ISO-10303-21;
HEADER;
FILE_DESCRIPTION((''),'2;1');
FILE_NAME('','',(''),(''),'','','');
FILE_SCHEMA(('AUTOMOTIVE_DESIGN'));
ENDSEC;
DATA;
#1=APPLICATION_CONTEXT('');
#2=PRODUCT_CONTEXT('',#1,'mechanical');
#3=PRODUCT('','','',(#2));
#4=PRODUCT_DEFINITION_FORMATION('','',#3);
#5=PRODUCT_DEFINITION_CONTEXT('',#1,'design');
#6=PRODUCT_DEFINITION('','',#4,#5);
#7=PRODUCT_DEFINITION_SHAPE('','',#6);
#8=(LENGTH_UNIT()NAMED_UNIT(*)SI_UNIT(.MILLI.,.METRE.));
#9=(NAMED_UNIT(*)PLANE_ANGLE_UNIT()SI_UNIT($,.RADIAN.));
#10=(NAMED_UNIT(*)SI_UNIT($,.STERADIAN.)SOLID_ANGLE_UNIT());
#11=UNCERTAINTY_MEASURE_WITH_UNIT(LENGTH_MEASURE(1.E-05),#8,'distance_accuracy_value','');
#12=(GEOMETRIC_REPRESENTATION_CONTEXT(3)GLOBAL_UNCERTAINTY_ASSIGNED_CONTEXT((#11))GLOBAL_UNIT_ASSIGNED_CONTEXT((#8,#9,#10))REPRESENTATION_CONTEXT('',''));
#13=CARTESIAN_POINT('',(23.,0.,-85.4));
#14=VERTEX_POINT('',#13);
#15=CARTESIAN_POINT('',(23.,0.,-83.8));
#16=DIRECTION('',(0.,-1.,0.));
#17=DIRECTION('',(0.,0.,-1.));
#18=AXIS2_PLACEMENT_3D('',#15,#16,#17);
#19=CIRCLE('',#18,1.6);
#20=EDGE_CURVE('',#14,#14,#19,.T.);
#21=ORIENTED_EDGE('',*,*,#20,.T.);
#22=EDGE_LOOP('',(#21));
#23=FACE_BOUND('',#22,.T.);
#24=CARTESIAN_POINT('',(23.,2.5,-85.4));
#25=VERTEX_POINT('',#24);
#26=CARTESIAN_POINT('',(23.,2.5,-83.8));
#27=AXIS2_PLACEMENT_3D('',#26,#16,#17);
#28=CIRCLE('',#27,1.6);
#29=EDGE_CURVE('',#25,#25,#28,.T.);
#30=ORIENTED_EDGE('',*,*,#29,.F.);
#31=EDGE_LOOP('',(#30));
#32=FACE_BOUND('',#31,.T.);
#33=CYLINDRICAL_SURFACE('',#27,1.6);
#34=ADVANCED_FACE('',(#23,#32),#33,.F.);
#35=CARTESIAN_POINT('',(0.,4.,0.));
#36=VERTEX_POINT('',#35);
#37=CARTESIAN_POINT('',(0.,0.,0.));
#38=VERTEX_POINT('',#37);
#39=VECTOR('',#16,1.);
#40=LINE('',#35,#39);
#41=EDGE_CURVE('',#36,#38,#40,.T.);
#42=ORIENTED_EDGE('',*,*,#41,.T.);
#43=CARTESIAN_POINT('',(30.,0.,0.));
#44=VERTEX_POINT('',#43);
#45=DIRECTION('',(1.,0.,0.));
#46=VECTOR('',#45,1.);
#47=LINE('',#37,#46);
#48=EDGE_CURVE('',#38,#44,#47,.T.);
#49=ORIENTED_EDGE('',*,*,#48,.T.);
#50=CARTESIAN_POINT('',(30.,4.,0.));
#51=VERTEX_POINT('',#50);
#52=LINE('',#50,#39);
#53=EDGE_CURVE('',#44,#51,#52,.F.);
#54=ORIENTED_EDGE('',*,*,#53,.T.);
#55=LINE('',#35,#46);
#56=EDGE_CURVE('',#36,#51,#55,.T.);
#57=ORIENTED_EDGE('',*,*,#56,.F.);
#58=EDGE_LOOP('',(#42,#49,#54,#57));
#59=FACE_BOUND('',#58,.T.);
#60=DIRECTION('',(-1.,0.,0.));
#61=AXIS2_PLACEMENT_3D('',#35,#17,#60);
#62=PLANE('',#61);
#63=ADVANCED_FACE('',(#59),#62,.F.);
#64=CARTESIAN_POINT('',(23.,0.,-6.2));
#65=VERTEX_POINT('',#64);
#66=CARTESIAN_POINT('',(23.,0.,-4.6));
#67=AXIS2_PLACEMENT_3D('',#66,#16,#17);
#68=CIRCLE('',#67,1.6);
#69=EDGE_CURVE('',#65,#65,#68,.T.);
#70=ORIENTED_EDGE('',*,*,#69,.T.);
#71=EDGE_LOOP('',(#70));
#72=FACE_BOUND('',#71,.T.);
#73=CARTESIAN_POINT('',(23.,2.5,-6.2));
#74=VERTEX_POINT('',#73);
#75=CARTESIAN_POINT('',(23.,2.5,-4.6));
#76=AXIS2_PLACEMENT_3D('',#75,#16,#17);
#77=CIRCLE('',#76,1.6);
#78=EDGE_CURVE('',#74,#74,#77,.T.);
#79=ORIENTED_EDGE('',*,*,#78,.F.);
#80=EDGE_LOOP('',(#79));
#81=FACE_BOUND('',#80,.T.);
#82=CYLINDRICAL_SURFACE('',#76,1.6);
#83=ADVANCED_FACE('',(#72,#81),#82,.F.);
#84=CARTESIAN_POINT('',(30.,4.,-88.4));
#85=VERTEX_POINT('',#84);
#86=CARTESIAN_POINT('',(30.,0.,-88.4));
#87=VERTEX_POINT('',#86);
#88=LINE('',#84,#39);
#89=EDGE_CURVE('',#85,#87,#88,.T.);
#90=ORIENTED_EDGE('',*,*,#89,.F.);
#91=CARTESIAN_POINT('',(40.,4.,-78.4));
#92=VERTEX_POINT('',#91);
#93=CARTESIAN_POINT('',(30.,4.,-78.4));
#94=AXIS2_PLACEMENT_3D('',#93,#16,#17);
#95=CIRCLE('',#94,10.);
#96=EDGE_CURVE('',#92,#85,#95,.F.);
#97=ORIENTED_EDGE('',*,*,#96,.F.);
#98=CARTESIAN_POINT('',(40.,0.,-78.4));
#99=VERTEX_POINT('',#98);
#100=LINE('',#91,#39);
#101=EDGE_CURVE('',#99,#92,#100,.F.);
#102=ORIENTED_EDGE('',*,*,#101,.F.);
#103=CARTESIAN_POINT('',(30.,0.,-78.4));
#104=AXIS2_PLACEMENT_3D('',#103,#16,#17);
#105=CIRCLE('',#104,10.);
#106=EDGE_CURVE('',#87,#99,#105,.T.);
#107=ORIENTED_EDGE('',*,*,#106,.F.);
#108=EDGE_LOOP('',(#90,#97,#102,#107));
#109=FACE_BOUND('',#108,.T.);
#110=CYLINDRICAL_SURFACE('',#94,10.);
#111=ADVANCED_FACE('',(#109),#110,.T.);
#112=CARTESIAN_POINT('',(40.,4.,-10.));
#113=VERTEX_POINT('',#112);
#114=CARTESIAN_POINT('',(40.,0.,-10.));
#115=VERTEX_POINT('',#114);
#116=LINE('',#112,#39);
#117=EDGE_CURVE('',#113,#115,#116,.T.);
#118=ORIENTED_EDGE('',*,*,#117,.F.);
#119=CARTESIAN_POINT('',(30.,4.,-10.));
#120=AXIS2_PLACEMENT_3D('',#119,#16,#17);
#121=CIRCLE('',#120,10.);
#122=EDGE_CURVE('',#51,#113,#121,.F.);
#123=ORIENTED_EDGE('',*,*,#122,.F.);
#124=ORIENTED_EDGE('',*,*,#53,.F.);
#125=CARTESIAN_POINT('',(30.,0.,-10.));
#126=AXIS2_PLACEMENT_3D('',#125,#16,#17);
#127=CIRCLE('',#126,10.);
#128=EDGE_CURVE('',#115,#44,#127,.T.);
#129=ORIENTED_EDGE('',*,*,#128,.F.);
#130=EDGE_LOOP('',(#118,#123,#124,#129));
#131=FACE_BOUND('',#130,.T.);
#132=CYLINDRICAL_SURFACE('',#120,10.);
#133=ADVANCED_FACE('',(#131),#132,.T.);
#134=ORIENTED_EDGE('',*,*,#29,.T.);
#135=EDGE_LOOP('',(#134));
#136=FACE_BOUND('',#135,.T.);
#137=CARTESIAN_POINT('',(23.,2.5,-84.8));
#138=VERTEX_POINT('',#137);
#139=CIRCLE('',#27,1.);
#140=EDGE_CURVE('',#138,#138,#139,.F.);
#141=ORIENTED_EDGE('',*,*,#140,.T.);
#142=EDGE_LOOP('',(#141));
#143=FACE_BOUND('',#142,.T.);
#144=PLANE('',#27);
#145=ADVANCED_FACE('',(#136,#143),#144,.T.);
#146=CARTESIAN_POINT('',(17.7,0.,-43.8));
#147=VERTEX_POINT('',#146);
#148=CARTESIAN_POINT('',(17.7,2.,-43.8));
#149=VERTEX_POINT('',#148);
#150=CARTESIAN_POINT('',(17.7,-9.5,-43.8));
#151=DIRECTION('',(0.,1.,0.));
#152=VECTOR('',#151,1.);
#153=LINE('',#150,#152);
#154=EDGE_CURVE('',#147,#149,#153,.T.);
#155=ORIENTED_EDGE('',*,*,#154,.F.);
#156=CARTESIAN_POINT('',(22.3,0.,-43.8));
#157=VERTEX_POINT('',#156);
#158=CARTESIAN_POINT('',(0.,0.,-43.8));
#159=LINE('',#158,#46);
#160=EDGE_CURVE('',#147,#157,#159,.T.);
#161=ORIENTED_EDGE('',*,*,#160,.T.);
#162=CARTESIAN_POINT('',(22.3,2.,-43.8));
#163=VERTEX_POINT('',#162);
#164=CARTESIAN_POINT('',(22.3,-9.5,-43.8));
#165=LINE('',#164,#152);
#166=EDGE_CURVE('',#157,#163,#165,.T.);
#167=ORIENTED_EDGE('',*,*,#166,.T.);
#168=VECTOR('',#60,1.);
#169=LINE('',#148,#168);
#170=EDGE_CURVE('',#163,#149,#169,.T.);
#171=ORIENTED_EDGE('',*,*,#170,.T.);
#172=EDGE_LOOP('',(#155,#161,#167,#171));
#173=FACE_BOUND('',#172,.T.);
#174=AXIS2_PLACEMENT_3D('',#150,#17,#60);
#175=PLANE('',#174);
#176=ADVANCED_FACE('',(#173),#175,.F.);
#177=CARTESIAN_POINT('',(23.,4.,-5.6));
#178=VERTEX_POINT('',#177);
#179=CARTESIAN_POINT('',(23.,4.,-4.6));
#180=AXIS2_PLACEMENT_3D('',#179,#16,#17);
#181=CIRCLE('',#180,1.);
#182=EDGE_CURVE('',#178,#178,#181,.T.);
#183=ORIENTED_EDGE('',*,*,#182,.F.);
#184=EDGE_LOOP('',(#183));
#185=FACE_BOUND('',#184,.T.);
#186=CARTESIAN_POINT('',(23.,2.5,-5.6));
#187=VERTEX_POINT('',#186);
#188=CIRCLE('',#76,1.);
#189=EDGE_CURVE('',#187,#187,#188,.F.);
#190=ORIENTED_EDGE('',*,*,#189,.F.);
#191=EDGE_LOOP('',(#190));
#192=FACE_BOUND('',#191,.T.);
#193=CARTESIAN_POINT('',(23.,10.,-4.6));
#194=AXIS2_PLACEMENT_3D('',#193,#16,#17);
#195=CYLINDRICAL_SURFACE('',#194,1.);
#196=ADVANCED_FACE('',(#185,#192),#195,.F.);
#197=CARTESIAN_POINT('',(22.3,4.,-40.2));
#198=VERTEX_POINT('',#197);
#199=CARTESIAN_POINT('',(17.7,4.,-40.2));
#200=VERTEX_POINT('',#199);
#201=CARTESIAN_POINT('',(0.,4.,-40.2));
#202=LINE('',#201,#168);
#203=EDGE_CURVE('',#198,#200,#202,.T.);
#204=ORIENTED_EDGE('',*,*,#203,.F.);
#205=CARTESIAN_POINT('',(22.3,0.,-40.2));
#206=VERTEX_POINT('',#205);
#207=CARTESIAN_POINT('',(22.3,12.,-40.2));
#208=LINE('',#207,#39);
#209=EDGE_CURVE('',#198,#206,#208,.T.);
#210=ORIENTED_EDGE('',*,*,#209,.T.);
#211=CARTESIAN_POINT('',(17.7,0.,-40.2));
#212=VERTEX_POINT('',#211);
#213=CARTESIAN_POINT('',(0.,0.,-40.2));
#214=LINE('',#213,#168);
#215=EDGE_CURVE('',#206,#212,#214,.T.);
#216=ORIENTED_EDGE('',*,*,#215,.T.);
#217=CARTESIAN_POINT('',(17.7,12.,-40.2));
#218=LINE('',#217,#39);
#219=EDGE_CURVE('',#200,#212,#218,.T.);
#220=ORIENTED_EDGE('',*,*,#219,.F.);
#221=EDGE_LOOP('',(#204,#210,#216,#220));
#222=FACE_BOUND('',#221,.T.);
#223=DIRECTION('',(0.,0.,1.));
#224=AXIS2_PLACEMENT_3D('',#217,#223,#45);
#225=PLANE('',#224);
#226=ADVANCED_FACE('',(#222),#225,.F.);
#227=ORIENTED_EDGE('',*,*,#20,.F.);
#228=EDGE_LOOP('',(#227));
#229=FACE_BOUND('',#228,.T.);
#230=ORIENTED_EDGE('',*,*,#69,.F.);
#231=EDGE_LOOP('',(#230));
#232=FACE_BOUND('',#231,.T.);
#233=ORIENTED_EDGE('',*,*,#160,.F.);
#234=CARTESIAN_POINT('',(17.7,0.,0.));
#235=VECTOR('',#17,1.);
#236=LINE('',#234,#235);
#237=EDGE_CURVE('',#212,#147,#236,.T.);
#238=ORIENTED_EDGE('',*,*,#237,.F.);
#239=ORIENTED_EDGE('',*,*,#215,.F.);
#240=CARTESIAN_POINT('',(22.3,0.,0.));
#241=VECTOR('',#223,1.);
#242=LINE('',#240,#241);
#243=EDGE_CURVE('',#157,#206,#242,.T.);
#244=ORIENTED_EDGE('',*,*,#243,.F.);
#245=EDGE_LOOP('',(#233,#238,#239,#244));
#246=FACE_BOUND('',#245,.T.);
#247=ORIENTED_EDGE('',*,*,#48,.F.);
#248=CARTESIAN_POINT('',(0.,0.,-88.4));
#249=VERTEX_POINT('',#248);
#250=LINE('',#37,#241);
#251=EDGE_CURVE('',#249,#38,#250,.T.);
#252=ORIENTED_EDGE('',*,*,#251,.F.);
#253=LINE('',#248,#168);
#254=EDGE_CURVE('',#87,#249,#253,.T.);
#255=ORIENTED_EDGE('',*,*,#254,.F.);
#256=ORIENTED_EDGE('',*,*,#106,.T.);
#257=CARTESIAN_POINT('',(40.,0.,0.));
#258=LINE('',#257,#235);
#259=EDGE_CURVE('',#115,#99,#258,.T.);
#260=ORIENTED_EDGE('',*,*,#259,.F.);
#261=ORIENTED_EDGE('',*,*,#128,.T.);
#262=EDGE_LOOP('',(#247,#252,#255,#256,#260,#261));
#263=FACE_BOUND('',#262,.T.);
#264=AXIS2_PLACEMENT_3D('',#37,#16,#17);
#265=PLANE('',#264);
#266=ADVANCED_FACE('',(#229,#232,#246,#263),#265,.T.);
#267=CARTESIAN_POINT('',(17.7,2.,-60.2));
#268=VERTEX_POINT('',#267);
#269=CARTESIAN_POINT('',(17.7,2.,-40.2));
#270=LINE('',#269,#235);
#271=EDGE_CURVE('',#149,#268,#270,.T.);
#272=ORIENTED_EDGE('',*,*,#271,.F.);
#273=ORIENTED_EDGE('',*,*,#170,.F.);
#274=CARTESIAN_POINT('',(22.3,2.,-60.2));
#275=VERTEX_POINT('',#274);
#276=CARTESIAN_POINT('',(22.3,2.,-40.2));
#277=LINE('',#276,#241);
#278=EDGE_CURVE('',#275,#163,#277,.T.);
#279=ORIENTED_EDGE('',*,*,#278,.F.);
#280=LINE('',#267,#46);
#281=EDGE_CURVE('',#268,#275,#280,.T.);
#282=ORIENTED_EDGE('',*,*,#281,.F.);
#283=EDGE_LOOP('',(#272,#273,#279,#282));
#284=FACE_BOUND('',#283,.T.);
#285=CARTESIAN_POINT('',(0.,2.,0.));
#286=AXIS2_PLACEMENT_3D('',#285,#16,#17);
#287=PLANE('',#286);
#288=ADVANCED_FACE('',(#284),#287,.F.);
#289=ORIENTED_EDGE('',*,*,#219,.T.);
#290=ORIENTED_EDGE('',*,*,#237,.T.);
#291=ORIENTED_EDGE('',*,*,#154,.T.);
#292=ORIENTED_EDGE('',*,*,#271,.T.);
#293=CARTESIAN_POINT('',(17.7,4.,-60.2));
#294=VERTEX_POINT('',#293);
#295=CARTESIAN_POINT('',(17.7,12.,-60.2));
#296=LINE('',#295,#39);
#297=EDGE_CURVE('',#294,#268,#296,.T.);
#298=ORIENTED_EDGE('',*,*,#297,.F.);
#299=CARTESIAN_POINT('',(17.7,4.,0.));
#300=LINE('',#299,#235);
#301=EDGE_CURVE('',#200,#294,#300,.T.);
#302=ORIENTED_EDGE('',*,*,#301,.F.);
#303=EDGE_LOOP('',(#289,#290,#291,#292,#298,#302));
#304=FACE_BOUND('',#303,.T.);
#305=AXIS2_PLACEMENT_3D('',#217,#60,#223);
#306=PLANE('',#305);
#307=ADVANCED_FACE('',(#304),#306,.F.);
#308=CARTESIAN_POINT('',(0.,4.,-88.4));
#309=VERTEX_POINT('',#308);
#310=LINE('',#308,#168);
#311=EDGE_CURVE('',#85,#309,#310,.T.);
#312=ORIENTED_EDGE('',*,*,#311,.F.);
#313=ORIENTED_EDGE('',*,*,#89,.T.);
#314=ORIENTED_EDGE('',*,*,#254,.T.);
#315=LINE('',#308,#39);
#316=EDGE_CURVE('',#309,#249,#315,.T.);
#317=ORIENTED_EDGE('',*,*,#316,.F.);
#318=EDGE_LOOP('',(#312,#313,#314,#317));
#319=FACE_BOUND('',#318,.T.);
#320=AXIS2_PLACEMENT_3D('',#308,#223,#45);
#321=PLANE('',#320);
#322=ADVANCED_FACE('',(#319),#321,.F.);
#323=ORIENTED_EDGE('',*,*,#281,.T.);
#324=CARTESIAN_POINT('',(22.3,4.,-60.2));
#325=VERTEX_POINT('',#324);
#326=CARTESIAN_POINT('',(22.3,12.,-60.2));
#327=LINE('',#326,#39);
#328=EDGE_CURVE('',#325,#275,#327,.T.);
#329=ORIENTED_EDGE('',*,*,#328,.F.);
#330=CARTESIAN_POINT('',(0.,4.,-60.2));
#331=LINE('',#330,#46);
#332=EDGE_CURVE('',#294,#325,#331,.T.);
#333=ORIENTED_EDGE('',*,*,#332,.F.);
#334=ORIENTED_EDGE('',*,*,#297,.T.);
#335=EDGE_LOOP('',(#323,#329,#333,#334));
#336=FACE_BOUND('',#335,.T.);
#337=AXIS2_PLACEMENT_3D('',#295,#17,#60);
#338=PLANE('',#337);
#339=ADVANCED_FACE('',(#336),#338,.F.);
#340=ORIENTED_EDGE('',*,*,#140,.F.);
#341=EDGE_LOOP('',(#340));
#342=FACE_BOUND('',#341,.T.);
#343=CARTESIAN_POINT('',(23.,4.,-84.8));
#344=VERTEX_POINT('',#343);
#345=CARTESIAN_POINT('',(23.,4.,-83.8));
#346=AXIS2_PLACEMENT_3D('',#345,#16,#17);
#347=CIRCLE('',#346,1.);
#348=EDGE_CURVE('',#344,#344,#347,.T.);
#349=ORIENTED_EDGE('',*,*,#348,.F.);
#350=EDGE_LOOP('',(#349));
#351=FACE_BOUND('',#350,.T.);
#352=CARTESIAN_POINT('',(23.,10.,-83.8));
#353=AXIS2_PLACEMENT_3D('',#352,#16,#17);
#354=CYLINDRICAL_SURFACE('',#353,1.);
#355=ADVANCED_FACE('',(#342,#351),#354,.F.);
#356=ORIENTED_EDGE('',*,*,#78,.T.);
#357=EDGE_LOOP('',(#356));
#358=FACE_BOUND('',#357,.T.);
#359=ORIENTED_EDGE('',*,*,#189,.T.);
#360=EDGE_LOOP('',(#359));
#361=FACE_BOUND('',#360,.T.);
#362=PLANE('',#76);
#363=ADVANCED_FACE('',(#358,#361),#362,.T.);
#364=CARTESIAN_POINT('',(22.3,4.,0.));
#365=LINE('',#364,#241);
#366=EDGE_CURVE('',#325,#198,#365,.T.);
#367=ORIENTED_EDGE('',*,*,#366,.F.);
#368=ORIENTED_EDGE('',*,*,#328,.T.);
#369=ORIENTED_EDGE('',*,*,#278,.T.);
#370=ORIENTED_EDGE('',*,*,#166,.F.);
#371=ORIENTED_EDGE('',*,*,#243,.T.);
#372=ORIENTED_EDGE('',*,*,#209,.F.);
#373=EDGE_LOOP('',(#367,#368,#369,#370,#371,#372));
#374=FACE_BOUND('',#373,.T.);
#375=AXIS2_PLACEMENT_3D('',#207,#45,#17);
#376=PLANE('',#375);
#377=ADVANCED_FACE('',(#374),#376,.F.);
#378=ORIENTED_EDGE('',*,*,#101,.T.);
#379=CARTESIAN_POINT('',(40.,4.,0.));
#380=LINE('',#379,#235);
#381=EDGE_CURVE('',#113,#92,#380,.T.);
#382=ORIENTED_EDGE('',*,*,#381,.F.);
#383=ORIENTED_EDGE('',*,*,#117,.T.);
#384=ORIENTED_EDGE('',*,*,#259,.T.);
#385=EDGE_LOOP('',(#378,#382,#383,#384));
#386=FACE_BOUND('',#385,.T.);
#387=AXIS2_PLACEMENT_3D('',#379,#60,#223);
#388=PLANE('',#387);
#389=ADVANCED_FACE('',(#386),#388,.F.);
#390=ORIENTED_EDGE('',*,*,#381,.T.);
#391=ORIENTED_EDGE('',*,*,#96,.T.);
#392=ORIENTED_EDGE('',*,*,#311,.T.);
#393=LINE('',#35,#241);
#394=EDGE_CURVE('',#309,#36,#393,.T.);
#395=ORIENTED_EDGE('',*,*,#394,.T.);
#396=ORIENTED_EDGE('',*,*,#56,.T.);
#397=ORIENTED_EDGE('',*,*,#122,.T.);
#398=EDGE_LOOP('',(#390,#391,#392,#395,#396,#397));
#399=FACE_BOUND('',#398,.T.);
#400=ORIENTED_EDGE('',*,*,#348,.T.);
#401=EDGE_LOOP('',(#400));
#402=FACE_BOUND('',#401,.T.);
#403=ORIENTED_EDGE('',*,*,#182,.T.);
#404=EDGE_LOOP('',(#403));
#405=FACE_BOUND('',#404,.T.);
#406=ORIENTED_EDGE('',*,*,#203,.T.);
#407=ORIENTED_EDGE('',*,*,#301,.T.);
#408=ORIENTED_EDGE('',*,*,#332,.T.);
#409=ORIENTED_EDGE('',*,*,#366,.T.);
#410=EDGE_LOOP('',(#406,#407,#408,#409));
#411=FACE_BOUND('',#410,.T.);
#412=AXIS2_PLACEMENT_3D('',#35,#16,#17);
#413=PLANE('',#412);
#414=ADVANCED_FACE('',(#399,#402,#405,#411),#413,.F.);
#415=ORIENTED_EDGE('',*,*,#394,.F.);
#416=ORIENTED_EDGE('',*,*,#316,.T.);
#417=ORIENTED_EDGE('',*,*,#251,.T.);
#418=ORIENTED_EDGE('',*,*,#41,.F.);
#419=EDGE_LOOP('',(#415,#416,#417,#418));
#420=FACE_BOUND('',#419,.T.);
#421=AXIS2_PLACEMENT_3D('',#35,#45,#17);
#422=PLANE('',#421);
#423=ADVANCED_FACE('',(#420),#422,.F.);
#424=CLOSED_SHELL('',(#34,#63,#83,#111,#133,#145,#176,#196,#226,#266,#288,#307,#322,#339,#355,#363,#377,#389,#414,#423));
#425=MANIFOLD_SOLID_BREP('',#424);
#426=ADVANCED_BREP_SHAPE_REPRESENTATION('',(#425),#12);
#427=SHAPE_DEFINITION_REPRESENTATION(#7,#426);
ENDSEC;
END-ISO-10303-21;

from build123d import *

# Parameters (mm, degrees)
SKETCH1_W           = 40
SKETCH1_H           = 88.4
BOSS_EXTRUDE1_DEPTH = 4
FILLET1_R           = 10
SKETCH3_R           = 1
CUT_EXTRUDE1_DEPTH  = 10
SKETCH5_R           = 1.6
CUT_EXTRUDE2_DEPTH  = 2.5
CUT_EXTRUDE3_START  = -2
SKETCH6_W           = 4.6
SKETCH6_H           = 20
CUT_EXTRUDE3_DEPTH  = 10
SKETCH8_W           = 4.6
SKETCH8_H           = 3.6
CUT_EXTRUDE7_DEPTH  = 11.5


with BuildPart() as part:
    # Sketch1 → Boss-Extrude1 (new body)
    with BuildSketch(Plane(origin=(0, 0, 0), x_dir=(1, 0, 0), z_dir=(0, 1, 0))):
        with Locations((20, 44.2)):
            Rectangle(SKETCH1_W, SKETCH1_H)
    extrude(amount=BOSS_EXTRUDE1_DEPTH)

    # Fillet1
    fillet1_edges = [part.edges().sort_by_distance(p)[0] for p in [
        (40, 2, -88.4),
        (40, 2, 0),
    ]]
    fillet(fillet1_edges, radius=FILLET1_R)

    # Sketch3 → Cut-Extrude1 (cut)
    with BuildSketch(Plane.XZ):
        with Locations(Location((23, -4.6, 0), (0, 0, 270))):
            Circle(SKETCH3_R)
        with Locations(Location((23, -83.8, 0), (0, 0, 270))):
            Circle(SKETCH3_R)
    extrude(amount=-CUT_EXTRUDE1_DEPTH, mode=Mode.SUBTRACT)

    # Sketch5 → Cut-Extrude2 (cut)
    with BuildSketch(Plane.XZ):
        with Locations(Location((23, -4.6, 0), (0, 0, 270))):
            Circle(SKETCH5_R)
        with Locations(Location((23, -83.8, 0), (0, 0, 270))):
            Circle(SKETCH5_R)
    extrude(amount=-CUT_EXTRUDE2_DEPTH, mode=Mode.SUBTRACT)

    # Sketch6 → Cut-Extrude3 (cut)
    with BuildSketch(Plane.XZ.offset(CUT_EXTRUDE3_START)):
        with Locations((20, -50.2)):
            Rectangle(SKETCH6_W, SKETCH6_H)
    extrude(amount=-CUT_EXTRUDE3_DEPTH, mode=Mode.SUBTRACT)

    # Sketch8 → Cut-Extrude7 (cut)
    with BuildSketch(Plane(origin=(0, 2, 0), x_dir=(1, 0, 0), z_dir=(0, 1, 0))):
        with Locations((20, 42)):
            Rectangle(SKETCH8_W, SKETCH8_H)
    extrude(amount=-CUT_EXTRUDE7_DEPTH, mode=Mode.SUBTRACT)


solid = part.part
